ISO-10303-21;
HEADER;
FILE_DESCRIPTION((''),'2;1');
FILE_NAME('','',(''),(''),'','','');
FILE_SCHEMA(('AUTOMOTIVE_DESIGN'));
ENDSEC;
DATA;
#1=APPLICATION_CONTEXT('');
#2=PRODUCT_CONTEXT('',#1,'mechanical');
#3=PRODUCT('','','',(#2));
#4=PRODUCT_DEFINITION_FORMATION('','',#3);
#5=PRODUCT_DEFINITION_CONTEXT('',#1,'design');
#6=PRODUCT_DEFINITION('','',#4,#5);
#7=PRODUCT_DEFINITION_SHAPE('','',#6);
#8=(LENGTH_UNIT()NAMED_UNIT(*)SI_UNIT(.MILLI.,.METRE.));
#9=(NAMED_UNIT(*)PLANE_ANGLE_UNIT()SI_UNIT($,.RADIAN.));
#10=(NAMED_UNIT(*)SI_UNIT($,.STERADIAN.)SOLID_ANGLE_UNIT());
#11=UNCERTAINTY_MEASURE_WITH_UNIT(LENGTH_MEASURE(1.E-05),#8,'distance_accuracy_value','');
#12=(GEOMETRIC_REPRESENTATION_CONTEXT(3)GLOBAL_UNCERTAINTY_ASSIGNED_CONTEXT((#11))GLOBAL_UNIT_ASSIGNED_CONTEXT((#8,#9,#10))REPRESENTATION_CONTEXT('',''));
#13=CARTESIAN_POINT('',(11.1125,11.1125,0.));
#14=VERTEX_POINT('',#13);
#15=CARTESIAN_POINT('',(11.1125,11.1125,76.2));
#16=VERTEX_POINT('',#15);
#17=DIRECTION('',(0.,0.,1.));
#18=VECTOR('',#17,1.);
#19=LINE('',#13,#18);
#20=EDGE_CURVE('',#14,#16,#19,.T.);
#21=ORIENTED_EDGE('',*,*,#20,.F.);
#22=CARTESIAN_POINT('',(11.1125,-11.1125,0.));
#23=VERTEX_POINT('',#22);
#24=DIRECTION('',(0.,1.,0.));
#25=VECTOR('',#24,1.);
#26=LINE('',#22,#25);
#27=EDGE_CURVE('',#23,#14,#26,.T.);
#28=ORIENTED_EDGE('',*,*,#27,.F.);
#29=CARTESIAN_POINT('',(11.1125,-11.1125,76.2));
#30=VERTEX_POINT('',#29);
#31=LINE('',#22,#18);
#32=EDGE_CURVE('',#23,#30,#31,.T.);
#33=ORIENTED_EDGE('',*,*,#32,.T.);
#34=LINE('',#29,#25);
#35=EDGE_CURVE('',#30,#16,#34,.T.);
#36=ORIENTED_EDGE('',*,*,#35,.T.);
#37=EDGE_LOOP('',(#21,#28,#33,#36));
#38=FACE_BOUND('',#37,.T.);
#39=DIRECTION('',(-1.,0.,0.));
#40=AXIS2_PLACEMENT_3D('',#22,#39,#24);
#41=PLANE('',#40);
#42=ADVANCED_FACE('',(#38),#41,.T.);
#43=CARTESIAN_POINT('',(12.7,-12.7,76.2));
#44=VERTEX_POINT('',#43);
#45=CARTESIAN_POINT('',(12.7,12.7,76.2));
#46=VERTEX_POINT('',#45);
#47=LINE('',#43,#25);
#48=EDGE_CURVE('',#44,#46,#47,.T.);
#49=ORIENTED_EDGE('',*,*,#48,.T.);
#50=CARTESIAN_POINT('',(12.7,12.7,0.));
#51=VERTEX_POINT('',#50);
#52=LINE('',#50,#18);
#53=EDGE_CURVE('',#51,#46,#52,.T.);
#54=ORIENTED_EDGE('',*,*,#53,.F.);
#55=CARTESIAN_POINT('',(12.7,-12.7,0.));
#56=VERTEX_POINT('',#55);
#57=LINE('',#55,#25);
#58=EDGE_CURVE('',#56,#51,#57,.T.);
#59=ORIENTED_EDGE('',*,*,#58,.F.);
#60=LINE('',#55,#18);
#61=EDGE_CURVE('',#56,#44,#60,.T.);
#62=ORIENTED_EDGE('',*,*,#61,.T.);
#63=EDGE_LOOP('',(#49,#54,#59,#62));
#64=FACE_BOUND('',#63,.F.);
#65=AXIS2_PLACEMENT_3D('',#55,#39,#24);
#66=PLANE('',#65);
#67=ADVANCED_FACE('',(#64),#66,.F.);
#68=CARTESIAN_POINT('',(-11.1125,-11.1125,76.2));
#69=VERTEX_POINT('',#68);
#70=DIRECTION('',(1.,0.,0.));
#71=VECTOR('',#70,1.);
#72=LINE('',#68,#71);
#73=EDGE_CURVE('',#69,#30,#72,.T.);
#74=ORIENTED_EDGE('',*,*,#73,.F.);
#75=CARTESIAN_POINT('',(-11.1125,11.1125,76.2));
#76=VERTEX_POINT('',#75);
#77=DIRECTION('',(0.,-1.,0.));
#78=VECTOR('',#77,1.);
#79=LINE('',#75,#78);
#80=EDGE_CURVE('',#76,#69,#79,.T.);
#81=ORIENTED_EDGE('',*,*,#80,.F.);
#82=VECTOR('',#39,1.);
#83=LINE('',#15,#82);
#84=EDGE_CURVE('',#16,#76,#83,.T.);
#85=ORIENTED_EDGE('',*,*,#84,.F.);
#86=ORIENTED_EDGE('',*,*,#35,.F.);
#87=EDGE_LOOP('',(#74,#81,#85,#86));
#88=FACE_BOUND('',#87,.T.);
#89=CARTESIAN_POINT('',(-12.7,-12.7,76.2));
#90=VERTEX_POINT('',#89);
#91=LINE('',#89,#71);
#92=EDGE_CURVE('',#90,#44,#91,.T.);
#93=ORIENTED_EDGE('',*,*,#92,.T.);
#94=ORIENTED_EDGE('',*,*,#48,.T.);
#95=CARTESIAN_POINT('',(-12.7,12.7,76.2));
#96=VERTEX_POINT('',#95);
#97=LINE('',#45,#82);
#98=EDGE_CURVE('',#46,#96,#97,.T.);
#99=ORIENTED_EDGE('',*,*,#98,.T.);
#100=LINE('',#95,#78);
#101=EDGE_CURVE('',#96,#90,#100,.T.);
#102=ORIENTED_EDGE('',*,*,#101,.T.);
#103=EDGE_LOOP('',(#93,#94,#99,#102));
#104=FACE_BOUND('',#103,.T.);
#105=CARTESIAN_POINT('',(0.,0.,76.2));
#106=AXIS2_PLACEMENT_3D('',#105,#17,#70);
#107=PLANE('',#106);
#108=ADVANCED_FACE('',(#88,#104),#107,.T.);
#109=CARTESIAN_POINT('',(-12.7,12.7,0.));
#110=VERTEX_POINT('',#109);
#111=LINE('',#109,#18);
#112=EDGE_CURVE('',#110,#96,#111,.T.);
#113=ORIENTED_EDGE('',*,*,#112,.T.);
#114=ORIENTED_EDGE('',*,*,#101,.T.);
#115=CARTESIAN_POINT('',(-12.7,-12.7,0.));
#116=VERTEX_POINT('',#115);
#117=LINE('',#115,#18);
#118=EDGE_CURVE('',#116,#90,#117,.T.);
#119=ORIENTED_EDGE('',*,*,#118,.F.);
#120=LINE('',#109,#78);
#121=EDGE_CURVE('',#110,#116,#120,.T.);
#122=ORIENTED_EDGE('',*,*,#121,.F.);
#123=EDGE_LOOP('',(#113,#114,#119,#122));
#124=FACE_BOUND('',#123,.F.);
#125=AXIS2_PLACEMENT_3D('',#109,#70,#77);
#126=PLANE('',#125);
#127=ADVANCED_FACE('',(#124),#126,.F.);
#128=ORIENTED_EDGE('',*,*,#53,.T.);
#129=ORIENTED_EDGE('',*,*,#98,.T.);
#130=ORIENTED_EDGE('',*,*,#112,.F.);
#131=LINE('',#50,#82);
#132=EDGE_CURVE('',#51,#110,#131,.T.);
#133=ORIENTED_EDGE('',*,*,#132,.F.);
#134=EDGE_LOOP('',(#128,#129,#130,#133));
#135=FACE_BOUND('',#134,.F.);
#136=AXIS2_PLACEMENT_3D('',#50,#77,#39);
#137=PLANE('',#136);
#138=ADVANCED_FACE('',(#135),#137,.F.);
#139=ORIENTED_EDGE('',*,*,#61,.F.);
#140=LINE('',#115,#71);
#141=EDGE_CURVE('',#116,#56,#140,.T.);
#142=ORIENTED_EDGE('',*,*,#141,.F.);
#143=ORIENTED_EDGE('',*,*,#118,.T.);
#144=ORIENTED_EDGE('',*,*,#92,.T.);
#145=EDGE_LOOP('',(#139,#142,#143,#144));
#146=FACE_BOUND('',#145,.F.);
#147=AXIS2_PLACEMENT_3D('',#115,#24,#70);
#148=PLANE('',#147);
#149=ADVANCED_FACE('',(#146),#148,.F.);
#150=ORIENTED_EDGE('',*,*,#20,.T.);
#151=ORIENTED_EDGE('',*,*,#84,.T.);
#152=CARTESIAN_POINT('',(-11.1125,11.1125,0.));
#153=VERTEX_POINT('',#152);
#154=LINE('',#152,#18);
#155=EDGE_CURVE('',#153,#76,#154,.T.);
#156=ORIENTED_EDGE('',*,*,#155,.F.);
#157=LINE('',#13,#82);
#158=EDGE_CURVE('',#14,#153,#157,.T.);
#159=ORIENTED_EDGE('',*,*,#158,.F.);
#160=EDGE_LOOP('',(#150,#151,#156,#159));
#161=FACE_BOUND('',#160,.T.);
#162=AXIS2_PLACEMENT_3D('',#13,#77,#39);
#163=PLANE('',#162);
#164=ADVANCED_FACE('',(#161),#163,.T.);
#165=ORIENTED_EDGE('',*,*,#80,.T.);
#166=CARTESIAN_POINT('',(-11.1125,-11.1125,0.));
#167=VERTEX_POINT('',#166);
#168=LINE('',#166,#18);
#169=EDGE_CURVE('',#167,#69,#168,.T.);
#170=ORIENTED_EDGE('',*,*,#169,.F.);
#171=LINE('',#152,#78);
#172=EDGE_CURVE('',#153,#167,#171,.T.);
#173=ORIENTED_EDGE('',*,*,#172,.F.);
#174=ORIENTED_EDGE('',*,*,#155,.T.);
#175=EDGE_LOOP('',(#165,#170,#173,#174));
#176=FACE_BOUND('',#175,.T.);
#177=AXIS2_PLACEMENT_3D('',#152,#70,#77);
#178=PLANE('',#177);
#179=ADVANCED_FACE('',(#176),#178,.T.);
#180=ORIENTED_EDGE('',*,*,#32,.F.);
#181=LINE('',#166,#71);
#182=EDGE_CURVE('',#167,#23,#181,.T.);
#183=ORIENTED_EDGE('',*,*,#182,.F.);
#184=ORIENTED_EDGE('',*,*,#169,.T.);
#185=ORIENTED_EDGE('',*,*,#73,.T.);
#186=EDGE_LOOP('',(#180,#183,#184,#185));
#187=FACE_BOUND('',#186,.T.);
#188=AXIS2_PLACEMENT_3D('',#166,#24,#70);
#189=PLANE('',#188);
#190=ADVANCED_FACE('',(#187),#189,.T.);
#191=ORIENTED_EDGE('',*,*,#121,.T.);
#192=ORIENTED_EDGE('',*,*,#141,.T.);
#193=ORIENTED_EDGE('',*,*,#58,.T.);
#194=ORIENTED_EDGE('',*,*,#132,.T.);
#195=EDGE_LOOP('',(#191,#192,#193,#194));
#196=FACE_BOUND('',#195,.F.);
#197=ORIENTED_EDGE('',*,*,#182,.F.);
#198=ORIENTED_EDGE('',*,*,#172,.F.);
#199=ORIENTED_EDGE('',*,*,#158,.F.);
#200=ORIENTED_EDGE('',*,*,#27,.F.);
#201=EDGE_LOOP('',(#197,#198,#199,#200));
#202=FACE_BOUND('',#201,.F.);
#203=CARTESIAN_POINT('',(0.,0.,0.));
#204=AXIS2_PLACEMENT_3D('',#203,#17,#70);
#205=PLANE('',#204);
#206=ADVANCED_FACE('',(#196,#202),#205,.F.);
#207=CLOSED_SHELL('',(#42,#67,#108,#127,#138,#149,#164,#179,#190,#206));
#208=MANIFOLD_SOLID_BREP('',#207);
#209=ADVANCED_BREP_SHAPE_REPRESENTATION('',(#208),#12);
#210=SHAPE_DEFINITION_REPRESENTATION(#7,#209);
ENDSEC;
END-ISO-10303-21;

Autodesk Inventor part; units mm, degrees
ref_plane "YZ Plane" through (0, 0, 0) normal (1, 0, 0) x (0, 1, 0)
ref_plane "XZ Plane" through (0, 0, 0) normal (0, 1, 0) x (-1, 0, 0)
ref_plane "XY Plane" through (0, 0, 0) normal (0, 0, 1) x (1, 0, 0)
sketch "Sketch1" plane through (0, 0, 0) normal (0, 0, 1) x (1, 0, 0)
  line L0 (-12.7, -12.7) -> (12.7, -12.7)
  line L1 (12.7, -12.7) -> (12.7, 12.7)
  line L2 (12.7, 12.7) -> (-12.7, 12.7)
  line L3 (-12.7, 12.7) -> (-12.7, -12.7)
  line L4 (-11.1125, -11.1125) -> (11.1125, -11.1125)
  line L5 (11.1125, -11.1125) -> (11.1125, 11.1125)
  line L6 (11.1125, 11.1125) -> (-11.1125, 11.1125)
  line L7 (-11.1125, 11.1125) -> (-11.1125, -11.1125)
  point P0 (0, 0)
  dimension "d0" = 25.4
  dimension "d1" = 25.4
  dimension "d2" = 22.225
  dimension "d3" = 22.225
extrude "Extrusion1" add sketch "Sketch1" along normal blind 76.2
equation "\"BendRadius\" = Thickness"
equation "\"BendReliefWidth\" = Thickness"
equation "\"BendReliefDepth\" = 0.5 * Thickness"
equation "\"CornerReliefSize\" = 4 * Thickness"
equation "\"MinimumRemnant\" = 2 * Thickness"
equation "\"TransitionRadius\" = BendRadius"
equation "\"JacobiRadiusSize\" = BendRadius"
equation "\"GapSize\" = Thickness"
equation "\"Thickness\" = 3.048"
properties part number "3 in 1-16"
